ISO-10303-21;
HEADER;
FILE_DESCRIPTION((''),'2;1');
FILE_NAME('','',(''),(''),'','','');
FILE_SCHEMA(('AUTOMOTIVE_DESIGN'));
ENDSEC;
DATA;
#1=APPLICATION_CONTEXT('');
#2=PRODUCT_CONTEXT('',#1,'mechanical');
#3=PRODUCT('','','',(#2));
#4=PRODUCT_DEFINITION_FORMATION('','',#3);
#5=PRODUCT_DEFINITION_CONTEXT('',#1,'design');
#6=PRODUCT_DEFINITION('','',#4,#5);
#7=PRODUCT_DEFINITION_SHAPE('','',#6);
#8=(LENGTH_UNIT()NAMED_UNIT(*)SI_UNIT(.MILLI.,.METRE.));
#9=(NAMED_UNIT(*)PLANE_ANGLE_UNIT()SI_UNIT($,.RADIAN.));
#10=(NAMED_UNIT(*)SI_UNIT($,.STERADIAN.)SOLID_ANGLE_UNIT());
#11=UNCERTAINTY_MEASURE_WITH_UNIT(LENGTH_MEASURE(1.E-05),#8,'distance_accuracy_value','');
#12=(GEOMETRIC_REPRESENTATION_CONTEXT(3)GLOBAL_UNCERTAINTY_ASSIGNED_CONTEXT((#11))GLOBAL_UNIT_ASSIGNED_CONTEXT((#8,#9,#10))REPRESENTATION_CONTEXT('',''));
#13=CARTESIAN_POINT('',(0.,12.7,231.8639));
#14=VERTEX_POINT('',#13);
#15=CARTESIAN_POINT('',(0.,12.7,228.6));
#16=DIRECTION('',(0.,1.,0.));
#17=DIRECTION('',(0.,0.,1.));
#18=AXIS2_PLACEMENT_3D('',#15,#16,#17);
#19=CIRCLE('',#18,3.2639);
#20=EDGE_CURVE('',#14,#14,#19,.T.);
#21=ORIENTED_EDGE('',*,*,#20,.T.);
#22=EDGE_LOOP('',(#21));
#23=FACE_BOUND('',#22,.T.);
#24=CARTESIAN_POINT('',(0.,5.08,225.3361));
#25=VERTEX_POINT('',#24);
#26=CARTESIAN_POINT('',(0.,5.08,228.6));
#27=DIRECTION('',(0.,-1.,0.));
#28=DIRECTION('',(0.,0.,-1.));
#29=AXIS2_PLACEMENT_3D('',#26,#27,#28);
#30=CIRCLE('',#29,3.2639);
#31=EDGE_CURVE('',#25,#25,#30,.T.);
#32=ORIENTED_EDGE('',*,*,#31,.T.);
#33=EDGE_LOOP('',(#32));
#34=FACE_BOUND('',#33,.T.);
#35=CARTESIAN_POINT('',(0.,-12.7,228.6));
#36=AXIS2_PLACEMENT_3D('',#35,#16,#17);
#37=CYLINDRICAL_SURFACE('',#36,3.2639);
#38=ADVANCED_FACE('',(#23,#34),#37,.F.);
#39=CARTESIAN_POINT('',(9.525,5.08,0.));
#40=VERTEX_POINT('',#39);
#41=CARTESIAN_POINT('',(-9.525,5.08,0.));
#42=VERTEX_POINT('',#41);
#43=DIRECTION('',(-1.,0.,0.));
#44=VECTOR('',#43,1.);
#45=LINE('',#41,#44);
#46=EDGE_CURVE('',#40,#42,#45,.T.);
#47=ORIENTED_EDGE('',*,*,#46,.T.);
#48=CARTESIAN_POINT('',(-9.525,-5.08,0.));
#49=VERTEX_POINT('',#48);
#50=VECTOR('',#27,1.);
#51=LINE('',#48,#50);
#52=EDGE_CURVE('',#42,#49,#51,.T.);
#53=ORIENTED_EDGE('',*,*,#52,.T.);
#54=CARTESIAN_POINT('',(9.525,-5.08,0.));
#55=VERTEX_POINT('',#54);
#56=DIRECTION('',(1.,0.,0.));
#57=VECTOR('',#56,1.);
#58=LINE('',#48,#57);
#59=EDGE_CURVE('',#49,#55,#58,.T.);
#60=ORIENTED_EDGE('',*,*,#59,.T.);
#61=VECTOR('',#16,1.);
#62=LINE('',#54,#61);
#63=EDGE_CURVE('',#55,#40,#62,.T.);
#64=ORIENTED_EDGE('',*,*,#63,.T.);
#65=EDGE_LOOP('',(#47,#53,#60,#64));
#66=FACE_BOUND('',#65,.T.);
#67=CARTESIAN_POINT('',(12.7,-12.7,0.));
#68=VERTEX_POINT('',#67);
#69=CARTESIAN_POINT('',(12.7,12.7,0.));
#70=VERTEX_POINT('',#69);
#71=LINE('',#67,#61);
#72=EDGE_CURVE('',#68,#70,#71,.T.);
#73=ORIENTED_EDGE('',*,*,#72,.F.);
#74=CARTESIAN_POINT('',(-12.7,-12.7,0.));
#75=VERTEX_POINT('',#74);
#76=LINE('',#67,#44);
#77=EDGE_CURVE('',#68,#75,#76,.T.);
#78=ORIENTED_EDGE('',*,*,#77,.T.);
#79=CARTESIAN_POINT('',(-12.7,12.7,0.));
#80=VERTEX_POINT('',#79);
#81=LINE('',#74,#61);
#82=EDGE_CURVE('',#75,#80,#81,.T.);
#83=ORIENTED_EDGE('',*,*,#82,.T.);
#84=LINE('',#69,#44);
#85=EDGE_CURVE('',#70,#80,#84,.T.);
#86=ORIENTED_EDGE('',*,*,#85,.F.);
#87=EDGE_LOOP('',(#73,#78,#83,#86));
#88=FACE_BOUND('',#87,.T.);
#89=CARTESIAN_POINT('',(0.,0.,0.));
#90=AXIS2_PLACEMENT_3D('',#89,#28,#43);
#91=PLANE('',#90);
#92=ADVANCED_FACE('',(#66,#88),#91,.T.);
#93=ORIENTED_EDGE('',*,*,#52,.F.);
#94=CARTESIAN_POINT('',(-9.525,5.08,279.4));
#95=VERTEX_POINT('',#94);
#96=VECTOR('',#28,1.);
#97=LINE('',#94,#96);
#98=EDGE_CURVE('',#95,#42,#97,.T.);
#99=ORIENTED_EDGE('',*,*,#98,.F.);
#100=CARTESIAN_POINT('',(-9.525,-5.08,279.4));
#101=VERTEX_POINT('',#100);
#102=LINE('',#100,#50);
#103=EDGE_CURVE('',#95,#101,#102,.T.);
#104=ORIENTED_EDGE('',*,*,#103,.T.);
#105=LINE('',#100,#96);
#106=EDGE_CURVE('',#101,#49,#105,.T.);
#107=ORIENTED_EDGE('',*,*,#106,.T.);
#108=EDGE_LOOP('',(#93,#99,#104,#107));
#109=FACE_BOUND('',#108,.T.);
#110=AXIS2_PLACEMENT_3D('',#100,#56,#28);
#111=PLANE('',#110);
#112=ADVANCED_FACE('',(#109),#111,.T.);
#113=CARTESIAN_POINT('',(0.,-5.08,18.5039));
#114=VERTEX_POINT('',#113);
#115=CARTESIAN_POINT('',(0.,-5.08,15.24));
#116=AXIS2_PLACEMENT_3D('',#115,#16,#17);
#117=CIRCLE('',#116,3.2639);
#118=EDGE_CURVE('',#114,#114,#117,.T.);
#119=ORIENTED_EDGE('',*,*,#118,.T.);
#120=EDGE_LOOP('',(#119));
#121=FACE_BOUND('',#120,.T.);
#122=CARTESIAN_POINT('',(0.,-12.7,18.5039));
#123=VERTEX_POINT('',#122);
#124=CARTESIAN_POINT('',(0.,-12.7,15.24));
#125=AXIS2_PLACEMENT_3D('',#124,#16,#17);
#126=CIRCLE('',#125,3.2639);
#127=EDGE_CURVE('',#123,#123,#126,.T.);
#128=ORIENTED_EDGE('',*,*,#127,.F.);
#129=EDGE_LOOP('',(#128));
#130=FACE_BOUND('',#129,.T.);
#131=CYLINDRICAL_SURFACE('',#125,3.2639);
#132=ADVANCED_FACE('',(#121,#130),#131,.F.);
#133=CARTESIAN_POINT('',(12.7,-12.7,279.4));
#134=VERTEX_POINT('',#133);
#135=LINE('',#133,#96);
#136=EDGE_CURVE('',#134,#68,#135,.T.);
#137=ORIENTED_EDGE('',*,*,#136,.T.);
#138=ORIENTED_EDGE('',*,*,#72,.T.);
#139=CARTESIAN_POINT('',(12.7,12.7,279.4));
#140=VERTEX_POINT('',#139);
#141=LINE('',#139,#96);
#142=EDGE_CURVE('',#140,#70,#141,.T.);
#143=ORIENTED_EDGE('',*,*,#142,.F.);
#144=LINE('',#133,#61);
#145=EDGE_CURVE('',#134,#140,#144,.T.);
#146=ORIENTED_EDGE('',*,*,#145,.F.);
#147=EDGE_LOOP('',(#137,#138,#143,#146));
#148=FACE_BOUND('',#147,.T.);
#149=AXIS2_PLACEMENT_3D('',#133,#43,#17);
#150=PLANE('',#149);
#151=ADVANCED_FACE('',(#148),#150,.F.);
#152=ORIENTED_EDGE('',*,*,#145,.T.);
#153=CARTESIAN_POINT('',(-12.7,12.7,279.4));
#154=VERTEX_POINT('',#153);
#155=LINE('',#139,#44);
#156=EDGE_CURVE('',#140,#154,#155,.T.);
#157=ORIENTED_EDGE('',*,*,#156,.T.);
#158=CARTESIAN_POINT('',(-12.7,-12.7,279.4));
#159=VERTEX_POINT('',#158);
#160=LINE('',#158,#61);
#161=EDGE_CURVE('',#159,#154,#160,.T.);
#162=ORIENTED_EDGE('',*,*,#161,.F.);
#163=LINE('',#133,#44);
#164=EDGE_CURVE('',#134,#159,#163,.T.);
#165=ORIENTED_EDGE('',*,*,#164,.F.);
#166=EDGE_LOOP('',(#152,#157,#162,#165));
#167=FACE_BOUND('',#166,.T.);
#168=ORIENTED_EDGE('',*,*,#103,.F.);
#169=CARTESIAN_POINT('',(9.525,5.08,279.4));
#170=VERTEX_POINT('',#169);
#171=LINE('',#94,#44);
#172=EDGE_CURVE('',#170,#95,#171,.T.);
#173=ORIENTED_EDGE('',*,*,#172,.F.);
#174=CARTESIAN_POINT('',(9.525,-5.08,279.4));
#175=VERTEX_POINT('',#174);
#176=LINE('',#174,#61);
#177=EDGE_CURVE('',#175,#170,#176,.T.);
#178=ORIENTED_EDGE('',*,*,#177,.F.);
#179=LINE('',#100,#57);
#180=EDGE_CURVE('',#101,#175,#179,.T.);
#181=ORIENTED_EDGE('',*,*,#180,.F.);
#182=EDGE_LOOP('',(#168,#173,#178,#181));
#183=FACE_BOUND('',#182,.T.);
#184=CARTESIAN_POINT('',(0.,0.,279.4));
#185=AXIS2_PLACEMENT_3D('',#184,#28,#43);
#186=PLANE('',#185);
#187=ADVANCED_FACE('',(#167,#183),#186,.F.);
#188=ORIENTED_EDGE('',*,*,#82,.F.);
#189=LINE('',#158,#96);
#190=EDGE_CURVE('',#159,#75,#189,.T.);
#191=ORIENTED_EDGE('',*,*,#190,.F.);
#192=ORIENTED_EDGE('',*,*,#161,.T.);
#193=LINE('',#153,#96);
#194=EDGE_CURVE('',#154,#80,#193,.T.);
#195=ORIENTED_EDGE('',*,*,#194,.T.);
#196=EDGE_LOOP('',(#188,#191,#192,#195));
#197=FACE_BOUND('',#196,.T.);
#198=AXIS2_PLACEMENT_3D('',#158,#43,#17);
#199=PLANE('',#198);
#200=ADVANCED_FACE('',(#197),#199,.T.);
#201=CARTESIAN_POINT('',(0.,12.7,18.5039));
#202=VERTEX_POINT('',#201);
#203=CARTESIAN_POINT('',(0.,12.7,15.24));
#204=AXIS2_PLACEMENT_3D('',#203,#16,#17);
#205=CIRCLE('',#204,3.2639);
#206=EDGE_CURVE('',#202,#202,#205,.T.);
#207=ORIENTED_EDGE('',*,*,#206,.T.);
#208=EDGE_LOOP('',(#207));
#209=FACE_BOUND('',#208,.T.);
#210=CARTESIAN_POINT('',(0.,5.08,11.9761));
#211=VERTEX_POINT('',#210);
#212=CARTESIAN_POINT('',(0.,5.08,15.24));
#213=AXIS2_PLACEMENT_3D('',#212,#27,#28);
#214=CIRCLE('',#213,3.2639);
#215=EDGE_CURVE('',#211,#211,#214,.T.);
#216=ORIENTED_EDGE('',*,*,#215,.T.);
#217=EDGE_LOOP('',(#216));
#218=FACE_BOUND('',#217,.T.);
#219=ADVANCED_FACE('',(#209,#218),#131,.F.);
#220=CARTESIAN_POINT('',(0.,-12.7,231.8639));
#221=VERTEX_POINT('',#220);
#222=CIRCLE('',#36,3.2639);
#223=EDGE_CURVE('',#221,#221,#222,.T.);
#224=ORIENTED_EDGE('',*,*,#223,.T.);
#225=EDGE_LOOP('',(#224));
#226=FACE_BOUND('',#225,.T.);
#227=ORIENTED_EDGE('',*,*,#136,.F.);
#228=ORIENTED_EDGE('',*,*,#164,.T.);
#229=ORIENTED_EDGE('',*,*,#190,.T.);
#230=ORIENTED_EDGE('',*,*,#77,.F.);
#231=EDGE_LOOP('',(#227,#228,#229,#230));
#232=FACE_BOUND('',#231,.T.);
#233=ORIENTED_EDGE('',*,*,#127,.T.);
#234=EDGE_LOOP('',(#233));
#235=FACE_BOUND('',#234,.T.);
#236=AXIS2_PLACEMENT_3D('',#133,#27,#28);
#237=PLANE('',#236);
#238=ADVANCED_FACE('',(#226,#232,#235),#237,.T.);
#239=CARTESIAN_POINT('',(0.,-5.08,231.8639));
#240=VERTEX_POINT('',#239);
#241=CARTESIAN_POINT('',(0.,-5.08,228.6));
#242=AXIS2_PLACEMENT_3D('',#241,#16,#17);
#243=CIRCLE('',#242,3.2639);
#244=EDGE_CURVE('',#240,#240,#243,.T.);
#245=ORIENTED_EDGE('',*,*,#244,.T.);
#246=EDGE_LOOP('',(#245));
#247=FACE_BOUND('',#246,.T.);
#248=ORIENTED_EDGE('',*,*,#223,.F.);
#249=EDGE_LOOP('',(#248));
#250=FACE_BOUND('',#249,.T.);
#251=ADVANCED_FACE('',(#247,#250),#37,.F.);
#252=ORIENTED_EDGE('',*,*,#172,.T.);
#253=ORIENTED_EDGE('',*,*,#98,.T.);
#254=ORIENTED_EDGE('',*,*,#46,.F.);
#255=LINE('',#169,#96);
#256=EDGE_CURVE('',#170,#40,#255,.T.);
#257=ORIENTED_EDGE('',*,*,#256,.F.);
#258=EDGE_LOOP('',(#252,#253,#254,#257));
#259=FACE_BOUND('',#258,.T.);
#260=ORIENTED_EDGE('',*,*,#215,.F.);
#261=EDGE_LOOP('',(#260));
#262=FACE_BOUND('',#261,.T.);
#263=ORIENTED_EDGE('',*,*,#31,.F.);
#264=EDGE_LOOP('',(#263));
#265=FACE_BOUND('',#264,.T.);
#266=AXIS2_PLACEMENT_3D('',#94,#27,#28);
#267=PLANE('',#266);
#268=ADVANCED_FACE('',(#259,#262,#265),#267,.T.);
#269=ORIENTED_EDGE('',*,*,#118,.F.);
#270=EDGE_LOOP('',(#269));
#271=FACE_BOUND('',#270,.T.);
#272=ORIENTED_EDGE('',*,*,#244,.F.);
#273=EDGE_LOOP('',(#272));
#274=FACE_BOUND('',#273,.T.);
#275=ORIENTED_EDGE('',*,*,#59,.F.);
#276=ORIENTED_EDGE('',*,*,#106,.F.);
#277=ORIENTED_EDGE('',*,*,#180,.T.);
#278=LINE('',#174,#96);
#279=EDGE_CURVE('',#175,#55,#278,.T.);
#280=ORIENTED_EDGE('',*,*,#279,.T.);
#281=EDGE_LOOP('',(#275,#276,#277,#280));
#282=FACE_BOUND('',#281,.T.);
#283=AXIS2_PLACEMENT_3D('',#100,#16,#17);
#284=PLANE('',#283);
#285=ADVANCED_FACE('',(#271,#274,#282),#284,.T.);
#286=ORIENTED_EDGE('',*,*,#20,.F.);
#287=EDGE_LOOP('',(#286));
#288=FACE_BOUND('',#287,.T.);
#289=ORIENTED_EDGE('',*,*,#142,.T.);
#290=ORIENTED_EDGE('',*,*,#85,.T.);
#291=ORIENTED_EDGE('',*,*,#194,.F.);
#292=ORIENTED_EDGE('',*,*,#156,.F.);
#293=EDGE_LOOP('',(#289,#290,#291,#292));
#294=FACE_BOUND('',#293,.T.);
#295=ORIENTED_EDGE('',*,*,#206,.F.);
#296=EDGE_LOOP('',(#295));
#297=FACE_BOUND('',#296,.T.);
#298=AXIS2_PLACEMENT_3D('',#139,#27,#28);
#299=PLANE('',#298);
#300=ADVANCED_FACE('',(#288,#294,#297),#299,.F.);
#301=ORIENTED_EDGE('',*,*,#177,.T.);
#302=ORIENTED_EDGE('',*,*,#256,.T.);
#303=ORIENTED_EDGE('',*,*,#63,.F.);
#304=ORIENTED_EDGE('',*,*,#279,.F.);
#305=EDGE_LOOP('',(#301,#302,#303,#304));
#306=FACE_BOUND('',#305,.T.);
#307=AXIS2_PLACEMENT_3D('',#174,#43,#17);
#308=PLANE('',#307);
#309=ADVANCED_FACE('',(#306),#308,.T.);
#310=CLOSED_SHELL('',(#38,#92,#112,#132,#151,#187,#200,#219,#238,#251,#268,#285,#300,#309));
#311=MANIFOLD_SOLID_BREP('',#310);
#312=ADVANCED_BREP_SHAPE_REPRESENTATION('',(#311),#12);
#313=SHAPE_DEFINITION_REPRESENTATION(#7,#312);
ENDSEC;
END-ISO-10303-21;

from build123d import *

# Parameters (mm, degrees)
SKETCH2_W           = 25.4
SKETCH2_H           = 25.4
BOSS_EXTRUDE1_DEPTH = 279.4
SKETCH4_W           = 19.05
SKETCH4_H           = 10.16
CUT_EXTRUDE1_DEPTH  = 280.9766776
SKETCH5_R           = 3.2639
CUT_EXTRUDE2_DEPTH  = 281.839473721
SKETCH6_R           = 3.2639
CUT_EXTRUDE3_DEPTH  = 281.839473721


with BuildPart() as part:
    # Sketch2 → Boss-Extrude1 (new body)
    with BuildSketch(Plane.XY):
        Rectangle(SKETCH2_W, SKETCH2_H)
    extrude(amount=BOSS_EXTRUDE1_DEPTH)

    # Sketch4 → Cut-Extrude1 (cut, through all)
    with BuildSketch(Plane.XY):
        Rectangle(SKETCH4_W, SKETCH4_H)
    extrude(amount=CUT_EXTRUDE1_DEPTH, mode=Mode.SUBTRACT)

    # Sketch5 → Cut-Extrude2 (cut, through all)
    with BuildSketch(Plane(origin=(0, 12.7, 0), x_dir=(1, 0, 0), z_dir=(0, 1, 0))):
        with Locations(Location((0, -15.24, 0), (0, 0, 270))):
            Circle(SKETCH5_R)
    extrude(amount=-CUT_EXTRUDE2_DEPTH, mode=Mode.SUBTRACT)

    # Sketch6 → Cut-Extrude3 (cut, through all)
    with BuildSketch(Plane(origin=(0, 12.7, 0), x_dir=(1, 0, 0), z_dir=(0, 1, 0))):
        with Locations(Location((0, -228.6, 0), (0, 0, 270))):
            Circle(SKETCH6_R)
    extrude(amount=-CUT_EXTRUDE3_DEPTH, mode=Mode.SUBTRACT)


solid = part.part
